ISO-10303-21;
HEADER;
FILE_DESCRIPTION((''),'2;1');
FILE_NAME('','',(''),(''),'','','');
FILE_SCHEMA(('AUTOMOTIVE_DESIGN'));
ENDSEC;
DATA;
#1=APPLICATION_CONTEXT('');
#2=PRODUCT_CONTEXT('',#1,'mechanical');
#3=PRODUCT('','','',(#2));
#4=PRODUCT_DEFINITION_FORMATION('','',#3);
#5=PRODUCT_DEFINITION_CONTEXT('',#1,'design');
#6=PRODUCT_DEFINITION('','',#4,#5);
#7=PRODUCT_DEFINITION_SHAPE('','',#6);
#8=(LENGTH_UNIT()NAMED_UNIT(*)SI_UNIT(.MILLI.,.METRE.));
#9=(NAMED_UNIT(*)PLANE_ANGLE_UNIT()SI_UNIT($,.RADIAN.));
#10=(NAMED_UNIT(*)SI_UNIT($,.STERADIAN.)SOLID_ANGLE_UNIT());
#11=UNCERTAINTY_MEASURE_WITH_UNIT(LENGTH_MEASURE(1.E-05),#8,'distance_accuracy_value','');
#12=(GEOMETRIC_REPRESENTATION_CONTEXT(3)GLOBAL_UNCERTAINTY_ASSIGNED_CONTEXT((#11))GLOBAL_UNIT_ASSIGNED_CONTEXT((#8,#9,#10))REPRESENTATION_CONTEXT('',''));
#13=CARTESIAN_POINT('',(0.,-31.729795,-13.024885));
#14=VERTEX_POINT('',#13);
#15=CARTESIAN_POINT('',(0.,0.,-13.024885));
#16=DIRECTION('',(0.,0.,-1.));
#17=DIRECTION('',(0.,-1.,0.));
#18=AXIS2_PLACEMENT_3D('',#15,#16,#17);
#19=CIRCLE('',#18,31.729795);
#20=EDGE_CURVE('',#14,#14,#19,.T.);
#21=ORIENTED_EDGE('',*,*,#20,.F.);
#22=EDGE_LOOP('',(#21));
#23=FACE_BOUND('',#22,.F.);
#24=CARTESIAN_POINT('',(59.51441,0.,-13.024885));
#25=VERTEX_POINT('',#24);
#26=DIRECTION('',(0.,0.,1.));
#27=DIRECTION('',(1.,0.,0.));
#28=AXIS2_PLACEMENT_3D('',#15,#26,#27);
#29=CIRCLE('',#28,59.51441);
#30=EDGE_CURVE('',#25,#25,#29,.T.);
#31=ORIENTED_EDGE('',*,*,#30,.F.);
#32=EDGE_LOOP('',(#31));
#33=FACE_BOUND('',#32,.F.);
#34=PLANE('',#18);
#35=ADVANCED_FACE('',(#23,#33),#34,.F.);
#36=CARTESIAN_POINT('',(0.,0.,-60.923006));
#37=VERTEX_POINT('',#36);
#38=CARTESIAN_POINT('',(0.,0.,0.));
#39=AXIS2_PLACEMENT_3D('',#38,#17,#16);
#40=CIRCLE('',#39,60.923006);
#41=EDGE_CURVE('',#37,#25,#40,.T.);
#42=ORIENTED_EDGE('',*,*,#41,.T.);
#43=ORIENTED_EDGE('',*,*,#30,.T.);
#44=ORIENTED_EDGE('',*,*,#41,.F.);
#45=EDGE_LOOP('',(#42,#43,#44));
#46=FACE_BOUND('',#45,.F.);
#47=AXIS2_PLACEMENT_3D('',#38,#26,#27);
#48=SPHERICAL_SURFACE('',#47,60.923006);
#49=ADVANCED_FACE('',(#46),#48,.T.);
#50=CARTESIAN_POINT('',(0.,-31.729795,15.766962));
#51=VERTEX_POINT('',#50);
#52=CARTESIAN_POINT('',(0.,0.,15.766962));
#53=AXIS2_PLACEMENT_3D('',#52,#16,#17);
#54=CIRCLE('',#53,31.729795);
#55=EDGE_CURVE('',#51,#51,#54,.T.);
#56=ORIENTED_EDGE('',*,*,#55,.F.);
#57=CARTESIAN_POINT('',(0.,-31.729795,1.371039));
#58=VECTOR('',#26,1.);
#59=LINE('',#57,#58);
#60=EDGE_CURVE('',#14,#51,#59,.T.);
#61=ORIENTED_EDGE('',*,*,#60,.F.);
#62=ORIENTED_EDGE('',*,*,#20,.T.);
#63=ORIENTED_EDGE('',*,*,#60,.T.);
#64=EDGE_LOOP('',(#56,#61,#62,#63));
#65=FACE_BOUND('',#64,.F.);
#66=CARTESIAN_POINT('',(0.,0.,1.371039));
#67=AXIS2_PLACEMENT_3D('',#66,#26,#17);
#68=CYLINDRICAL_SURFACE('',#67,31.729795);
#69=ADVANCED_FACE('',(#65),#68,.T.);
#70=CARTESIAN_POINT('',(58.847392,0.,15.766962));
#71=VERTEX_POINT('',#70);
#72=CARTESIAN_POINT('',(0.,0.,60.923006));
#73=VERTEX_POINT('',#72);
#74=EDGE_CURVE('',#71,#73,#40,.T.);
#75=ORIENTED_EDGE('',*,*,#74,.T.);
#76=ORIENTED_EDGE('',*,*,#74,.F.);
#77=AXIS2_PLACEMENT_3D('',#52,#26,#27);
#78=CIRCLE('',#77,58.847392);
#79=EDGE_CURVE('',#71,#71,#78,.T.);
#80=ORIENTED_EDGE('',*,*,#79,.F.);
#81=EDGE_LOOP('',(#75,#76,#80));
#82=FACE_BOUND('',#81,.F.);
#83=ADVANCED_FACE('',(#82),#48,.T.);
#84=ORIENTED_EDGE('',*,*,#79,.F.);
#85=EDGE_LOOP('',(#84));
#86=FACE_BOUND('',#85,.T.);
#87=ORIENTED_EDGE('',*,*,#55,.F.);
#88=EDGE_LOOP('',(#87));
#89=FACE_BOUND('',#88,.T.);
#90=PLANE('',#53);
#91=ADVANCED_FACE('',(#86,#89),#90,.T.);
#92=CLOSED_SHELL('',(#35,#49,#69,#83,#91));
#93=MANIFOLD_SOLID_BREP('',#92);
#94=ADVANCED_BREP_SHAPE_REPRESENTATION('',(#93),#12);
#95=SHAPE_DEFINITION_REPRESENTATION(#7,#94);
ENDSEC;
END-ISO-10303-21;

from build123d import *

# Parameters (mm, degrees)
F2_W = 55.233344
F2_H = 28.791847


with BuildPart() as f1:
    # F0 (on Front) → F1 (revolve)
    with BuildSketch(Plane.XZ):
        with BuildLine():
            Line((0, 60.923006), (0, -60.923006))
            ThreePointArc((0, -60.923006), (60.923006, 0), (0, 60.923006))
        make_face()
    revolve(axis=Axis((0, 0, 0), (0, 0, -1)))

    # F2 (on Right) → F3 (revolve, cut)
    with BuildSketch(Plane.YZ):
        with Locations((-59.346467, 1.371039)):
            Rectangle(F2_W, F2_H)
    revolve(axis=Axis((0, 0, -0.391727), (0, 0, -1)), mode=Mode.SUBTRACT)


solid = f1.part
